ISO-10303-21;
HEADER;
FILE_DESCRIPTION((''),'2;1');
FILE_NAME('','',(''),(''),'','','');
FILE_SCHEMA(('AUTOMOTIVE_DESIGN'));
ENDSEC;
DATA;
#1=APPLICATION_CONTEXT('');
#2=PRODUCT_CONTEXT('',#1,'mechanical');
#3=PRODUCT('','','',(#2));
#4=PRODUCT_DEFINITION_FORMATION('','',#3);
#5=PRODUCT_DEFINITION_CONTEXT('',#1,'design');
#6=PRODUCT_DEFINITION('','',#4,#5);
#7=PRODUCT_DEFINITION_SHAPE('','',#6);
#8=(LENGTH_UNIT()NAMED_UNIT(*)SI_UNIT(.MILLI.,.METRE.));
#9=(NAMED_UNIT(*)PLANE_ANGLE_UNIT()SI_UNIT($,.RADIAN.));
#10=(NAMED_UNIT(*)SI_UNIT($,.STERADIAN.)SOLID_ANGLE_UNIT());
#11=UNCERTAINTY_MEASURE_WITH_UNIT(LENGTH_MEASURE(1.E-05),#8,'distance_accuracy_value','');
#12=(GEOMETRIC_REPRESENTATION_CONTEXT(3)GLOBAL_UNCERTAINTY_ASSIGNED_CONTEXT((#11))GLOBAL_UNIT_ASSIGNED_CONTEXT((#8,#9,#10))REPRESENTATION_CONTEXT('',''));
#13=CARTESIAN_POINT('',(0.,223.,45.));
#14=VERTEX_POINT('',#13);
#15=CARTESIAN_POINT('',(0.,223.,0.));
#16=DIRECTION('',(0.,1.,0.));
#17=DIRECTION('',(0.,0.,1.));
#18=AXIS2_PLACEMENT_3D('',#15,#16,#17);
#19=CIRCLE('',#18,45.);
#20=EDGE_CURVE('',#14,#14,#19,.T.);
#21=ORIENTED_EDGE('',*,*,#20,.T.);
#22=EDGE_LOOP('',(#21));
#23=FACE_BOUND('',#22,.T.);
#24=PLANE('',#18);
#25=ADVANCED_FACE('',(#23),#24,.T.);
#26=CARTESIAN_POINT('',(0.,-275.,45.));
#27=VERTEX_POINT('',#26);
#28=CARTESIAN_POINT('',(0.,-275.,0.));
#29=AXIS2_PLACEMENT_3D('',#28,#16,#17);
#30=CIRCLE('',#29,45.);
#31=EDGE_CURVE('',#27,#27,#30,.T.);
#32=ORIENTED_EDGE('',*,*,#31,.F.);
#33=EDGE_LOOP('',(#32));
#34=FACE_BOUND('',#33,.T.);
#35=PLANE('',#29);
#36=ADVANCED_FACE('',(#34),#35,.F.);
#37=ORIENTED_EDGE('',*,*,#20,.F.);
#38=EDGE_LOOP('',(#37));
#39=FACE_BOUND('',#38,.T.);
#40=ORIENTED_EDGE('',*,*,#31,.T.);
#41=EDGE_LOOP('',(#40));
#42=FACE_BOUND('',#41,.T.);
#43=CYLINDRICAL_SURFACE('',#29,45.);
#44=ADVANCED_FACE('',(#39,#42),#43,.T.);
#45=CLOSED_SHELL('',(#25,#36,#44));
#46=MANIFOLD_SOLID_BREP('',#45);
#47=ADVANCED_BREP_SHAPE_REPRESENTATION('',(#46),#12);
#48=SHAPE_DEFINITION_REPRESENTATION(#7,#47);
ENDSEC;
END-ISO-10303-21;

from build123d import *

# Parameters (mm, degrees)
BOSS_EXTRUDE1_DEPTH      = 223
BOSS_EXTRUDE1_DEPTH_BACK = 275
SKETCH1_R                = 45


with BuildPart() as part:
    # Sketch1 → Boss-Extrude1 (new, two sides: drawn at the far end of the back side and taken through both)
    with BuildSketch(Plane(origin=(0, 0, 0), x_dir=(1, 0, 0), z_dir=(0, 1, 0)).offset(-BOSS_EXTRUDE1_DEPTH_BACK)):
        with Locations(Location((0, 0, 0), (0, 0, 270))):
            Circle(SKETCH1_R)
    extrude(amount=BOSS_EXTRUDE1_DEPTH + BOSS_EXTRUDE1_DEPTH_BACK)


solid = part.part
